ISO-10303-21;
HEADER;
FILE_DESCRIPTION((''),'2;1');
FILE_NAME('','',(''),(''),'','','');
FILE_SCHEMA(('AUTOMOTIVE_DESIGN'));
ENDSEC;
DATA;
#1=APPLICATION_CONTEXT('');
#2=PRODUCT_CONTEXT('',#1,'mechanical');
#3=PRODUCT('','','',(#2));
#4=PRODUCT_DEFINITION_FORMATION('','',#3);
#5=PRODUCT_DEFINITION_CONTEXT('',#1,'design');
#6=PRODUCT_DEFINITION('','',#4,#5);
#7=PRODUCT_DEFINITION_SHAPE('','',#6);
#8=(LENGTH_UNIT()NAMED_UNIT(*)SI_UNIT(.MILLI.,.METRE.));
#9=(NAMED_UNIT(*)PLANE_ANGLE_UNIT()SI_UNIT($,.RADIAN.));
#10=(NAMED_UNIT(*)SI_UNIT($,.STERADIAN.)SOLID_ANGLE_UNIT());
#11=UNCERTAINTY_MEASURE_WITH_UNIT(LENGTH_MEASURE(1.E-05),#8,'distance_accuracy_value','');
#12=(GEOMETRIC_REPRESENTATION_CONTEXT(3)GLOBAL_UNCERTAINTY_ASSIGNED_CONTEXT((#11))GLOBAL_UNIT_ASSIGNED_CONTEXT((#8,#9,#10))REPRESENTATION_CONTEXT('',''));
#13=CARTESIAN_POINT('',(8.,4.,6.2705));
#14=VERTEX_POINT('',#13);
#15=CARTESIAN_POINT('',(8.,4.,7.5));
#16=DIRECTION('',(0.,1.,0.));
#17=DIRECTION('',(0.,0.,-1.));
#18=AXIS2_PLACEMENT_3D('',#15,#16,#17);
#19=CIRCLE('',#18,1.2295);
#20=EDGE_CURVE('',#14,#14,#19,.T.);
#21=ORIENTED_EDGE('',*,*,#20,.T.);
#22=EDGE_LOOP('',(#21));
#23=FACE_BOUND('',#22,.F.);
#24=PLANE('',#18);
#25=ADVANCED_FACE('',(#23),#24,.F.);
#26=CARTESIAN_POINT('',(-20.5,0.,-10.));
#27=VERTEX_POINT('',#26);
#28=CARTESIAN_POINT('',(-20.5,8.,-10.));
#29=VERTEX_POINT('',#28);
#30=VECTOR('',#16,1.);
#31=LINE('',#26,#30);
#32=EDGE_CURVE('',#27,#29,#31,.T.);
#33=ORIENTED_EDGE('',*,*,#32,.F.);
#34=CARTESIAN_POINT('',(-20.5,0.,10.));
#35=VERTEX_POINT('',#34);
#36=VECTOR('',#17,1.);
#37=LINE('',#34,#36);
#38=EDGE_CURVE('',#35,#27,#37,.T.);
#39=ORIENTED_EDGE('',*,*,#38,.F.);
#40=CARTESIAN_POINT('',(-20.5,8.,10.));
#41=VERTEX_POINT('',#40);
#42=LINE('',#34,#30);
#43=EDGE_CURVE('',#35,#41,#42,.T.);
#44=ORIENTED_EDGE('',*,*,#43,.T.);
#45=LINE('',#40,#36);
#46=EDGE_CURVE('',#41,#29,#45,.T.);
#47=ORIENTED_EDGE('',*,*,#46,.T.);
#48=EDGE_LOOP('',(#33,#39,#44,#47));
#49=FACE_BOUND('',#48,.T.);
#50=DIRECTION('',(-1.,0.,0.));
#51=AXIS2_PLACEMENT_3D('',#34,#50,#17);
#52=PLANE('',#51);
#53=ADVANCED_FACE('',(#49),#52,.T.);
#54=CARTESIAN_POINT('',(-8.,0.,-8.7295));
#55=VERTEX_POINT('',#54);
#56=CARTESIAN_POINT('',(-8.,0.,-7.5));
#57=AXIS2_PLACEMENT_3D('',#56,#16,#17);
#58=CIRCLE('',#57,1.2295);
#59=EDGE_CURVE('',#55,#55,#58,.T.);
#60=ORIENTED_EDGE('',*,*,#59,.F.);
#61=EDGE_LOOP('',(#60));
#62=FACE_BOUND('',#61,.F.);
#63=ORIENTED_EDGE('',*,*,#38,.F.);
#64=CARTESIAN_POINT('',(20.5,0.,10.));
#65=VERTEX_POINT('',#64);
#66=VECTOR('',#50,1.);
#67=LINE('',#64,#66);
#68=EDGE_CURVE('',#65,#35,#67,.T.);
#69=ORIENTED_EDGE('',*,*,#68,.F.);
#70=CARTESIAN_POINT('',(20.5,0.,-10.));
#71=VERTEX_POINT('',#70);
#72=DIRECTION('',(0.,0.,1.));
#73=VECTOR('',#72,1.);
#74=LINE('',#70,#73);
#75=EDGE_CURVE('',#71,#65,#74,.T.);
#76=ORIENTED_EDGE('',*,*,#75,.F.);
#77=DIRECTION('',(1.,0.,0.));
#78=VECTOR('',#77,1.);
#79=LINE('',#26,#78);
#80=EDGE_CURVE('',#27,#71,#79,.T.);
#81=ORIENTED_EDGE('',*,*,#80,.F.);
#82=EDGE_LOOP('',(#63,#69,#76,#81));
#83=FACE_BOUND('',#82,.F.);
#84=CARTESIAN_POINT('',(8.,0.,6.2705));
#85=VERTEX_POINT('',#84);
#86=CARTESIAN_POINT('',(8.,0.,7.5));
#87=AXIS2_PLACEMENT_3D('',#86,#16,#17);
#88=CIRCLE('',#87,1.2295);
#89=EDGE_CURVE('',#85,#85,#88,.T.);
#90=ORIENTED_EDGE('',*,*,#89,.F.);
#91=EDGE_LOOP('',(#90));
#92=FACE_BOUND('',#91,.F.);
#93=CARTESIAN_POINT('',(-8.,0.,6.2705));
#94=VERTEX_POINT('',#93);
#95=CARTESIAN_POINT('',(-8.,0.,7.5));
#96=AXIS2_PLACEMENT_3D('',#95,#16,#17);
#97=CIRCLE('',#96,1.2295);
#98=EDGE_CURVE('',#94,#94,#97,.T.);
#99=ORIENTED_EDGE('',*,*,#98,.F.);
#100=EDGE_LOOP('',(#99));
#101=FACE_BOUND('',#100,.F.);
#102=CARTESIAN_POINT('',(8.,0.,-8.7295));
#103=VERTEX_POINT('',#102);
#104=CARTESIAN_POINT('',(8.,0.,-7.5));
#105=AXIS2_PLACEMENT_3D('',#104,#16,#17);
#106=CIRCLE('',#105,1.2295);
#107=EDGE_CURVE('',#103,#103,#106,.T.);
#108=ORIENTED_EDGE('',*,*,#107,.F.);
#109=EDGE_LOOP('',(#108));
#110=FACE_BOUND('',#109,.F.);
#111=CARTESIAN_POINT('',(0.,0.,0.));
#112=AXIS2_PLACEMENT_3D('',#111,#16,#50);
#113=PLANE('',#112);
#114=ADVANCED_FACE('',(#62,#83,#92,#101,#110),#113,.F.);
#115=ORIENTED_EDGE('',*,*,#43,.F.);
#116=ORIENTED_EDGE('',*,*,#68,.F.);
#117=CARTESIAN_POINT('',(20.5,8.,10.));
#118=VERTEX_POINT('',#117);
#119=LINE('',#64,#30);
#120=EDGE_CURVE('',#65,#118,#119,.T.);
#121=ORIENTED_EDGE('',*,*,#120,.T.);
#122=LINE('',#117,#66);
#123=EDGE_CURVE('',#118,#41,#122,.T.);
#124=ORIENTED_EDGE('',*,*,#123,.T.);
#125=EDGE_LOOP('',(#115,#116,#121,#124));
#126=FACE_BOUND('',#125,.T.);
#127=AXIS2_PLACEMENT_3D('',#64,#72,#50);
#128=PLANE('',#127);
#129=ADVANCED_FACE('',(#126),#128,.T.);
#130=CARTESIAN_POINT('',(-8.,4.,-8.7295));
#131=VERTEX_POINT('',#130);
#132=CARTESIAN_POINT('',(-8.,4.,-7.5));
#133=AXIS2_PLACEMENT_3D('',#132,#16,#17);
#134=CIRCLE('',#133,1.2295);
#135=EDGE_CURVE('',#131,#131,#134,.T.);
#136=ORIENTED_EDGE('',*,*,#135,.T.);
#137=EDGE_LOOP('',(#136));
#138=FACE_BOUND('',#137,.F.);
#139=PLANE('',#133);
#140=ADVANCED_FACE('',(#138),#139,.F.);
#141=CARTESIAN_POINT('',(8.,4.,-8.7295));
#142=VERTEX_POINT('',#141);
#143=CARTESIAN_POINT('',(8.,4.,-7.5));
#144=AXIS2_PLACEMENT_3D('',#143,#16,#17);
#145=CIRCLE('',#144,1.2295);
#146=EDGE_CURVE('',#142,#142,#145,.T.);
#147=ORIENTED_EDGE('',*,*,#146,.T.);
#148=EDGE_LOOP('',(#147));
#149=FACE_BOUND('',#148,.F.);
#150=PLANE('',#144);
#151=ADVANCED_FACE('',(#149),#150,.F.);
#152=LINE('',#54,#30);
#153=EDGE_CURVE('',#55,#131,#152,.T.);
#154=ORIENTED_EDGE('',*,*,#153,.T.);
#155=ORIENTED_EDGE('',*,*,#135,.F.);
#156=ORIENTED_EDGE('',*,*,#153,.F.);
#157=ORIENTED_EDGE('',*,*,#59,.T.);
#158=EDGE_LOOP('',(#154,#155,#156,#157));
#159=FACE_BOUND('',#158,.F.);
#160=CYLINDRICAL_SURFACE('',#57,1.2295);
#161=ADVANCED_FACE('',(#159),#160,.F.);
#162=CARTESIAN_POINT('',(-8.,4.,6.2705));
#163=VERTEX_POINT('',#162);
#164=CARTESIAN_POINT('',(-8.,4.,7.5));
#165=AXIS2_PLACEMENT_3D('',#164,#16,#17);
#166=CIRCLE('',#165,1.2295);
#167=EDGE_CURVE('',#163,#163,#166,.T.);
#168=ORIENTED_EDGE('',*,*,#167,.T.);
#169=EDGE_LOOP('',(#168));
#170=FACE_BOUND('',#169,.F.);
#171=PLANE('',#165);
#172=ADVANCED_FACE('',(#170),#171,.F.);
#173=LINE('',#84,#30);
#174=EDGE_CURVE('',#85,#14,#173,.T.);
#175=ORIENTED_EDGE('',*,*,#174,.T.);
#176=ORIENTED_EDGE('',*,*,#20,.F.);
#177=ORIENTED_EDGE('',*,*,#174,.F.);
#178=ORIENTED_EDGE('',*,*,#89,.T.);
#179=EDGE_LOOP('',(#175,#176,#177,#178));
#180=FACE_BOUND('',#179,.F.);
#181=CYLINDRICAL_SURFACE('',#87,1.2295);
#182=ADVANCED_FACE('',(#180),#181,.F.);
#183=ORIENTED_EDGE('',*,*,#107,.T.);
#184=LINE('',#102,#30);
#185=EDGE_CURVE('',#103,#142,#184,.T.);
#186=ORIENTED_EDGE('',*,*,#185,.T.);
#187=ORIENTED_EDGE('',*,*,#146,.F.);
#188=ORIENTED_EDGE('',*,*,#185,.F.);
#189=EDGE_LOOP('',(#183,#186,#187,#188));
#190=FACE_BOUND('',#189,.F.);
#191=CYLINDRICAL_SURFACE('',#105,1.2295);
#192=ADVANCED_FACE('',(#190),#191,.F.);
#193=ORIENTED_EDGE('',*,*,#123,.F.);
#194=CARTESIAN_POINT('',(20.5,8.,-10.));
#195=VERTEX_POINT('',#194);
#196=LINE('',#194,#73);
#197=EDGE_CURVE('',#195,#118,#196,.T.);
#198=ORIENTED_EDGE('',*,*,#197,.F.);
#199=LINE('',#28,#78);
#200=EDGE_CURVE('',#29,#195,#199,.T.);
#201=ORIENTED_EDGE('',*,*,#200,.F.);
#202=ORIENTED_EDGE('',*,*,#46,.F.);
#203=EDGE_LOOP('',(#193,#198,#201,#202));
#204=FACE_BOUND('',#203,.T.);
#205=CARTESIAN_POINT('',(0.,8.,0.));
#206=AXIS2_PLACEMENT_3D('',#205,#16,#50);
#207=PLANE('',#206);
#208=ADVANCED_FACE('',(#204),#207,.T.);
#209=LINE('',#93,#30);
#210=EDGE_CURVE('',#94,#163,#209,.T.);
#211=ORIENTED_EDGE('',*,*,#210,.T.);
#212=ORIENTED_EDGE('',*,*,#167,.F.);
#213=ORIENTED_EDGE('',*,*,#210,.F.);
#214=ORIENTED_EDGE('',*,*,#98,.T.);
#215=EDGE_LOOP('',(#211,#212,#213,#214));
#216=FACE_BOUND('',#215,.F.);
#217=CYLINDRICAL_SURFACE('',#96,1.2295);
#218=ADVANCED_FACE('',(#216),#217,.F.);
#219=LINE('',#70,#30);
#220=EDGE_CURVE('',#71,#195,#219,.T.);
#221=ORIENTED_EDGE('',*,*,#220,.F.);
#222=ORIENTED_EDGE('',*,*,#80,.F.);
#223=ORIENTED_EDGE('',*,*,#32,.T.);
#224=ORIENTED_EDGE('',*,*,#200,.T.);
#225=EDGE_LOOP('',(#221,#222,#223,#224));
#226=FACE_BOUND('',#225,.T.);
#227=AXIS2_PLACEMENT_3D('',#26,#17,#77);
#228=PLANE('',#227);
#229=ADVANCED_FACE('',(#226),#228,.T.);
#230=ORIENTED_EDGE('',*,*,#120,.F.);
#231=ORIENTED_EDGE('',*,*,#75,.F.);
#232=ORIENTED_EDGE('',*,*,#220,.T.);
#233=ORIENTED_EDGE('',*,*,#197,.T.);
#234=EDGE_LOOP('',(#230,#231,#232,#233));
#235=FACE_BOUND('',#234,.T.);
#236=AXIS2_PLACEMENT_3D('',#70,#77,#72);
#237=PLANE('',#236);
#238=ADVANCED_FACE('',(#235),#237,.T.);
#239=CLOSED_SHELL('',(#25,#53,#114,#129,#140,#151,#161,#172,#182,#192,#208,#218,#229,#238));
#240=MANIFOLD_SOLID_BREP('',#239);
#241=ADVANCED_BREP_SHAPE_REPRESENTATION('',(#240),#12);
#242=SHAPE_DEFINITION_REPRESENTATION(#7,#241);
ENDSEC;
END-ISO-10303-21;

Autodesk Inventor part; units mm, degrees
ref_plane "YZ Plane" through (0, 0, 0) normal (1, 0, 0) x (0, 1, 0)
ref_plane "XZ Plane" through (0, 0, 0) normal (0, 1, 0) x (-1, 0, 0)
ref_plane "XY Plane" through (0, 0, 0) normal (0, 0, 1) x (1, 0, 0)
sketch "Sketch1" plane through (0, 0, 0) normal (0, 1, 0) x (-1, 0, 0)
  line L0 (-20.5, 10) -> (20.5, 10)
  line L1 (20.5, 10) -> (20.5, -10)
  line L2 (20.5, -10) -> (-20.5, -10)
  line L3 (-20.5, -10) -> (-20.5, 10)
  line L4 (-20.5, 10) -> (20.5, -10) construction
  line L5 (20.5, 10) -> (-20.5, -10) construction
  point P0 (0, 0)
  dimension "d0" = 41
  dimension "d1" = 20
extrude "Extrusion1" add sketch "Sketch1" along normal blind 8
ref_plane "Work Plane1" through (20.5, 0, 0) normal (0, 0, 1) x (1, 0, 0)
sketch "Sketch2" plane through (0, 0, 0) normal (0, -1, 0) x (1, 0, 0)
  line L0 (20.5, -10) -> (-20.5, -10) construction
  line L1 (20.5, 10) -> (20.5, -10) construction
  line L2 (-20.5, 10) -> (20.5, 10) construction
  line L3 (-20.5, -10) -> (-20.5, 10) construction
  line L4 (-8, -7.5) -> (8, -7.5) construction
  line L5 (8, -7.5) -> (8, 7.5) construction
  line L6 (8, 7.5) -> (-8, 7.5) construction
  line L7 (-8, 7.5) -> (-8, -7.5) construction
  line L8 (-8, -7.5) -> (8, 7.5) construction
  line L9 (8, -7.5) -> (-8, 7.5) construction
  point P0 (0, 0)
  dimension "d4" = 16
  dimension "d5" = 15
hole "Hole1" at (8, 0, -7.5) at (8, 0, 7.5) at (-8, 0, 7.5) at (-8, 0, -7.5) direction (0, 1, 0) diameter 2.459 depth 4 thread size "M3x0.5" class "6H" standard "ISO Metric profile"
properties part number "LinearRailBlock" material "Steel, Carbon"
